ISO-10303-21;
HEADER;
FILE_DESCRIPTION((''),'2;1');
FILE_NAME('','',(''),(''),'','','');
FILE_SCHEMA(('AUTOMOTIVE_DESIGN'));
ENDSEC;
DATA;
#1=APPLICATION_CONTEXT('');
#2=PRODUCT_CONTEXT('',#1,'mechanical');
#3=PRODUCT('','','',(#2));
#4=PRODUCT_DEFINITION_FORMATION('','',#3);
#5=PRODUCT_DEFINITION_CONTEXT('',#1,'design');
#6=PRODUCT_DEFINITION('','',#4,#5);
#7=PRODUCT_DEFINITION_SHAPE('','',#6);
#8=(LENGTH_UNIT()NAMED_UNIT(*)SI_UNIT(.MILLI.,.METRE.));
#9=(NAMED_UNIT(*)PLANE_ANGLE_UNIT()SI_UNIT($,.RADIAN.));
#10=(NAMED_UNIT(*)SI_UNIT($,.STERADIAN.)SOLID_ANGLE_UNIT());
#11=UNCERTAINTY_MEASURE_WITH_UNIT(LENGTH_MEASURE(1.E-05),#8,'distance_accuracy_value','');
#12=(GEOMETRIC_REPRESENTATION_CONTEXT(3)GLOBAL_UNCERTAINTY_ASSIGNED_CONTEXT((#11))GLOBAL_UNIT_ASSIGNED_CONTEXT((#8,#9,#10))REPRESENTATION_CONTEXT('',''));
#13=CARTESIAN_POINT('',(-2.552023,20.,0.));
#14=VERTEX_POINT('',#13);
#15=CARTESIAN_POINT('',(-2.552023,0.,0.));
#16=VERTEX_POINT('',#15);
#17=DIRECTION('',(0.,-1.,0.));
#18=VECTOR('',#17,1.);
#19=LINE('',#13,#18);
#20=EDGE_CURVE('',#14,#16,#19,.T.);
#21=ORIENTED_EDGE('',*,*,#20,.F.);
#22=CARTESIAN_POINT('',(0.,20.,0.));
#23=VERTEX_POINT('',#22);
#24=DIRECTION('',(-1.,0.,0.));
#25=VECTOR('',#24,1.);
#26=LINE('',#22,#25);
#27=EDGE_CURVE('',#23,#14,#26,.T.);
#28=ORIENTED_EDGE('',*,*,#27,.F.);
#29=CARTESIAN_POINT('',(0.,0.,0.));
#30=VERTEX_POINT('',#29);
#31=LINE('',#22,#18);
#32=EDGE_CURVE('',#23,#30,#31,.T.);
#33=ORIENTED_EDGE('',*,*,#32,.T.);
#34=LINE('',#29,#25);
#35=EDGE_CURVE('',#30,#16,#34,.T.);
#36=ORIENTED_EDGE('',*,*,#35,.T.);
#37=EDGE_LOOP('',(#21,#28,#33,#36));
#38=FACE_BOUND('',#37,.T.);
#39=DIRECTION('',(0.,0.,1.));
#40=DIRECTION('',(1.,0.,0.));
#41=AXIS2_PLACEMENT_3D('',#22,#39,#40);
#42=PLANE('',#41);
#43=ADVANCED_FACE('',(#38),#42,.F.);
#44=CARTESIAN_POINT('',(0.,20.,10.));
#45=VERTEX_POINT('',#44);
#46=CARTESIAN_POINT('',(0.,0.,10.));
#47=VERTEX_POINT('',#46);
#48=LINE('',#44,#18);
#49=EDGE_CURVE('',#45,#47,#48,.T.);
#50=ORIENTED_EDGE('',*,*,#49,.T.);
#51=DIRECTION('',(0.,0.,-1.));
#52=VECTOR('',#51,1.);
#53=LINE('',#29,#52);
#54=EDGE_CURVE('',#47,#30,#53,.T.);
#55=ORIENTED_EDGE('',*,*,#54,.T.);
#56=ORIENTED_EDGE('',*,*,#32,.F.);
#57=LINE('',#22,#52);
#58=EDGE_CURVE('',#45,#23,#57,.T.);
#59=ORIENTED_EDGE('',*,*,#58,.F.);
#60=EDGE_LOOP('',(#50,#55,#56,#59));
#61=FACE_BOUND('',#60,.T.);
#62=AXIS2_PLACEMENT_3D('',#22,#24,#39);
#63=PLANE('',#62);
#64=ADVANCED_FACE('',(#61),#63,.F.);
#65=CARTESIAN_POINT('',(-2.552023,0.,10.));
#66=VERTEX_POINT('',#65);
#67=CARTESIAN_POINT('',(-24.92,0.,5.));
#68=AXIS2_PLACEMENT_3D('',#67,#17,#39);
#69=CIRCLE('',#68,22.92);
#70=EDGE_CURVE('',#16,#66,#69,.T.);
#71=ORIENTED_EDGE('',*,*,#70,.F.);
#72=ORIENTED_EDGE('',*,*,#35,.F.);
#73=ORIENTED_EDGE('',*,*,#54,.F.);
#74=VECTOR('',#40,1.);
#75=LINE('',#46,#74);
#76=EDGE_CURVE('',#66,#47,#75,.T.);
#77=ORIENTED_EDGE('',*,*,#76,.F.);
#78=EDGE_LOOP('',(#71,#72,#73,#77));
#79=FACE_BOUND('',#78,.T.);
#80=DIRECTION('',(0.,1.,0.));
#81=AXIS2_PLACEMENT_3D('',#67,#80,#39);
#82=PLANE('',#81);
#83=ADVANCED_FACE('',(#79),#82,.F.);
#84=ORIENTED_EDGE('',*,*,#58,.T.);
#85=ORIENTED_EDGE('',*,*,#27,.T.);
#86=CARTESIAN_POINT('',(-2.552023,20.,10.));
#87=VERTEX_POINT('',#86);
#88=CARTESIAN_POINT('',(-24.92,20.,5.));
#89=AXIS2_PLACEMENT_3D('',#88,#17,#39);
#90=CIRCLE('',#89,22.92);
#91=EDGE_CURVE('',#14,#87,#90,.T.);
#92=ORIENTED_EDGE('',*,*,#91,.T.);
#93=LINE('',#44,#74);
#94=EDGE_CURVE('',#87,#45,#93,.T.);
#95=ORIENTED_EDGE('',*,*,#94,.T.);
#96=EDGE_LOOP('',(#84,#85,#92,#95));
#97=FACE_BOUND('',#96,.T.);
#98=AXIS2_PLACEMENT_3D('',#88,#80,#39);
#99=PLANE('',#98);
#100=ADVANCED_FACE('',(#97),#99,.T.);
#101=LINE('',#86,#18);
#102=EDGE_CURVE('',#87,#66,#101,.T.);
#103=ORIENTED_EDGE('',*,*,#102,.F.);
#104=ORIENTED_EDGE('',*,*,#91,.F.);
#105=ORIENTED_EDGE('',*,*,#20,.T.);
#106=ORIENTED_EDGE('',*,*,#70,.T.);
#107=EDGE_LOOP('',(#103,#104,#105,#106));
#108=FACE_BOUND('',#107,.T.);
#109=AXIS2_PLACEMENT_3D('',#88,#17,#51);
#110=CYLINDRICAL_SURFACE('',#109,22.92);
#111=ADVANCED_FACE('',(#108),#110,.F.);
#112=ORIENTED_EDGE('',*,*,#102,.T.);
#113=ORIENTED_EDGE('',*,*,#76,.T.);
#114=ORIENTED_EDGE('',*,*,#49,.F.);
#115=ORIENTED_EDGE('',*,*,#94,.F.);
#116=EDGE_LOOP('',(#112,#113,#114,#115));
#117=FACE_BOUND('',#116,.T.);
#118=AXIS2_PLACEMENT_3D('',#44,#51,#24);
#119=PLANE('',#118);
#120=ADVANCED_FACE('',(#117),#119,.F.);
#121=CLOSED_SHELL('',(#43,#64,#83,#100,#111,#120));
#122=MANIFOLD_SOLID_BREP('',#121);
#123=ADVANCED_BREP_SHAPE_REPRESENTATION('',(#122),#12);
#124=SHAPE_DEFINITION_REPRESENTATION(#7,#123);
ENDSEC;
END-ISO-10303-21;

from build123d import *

# Parameters (mm, degrees)
EXTRUDE_1_DEPTH = 20


with BuildPart() as part:
    # 草图1 → 凸台-拉伸1 (new body)
    with BuildSketch(Plane(origin=(0, 0, 0), x_dir=(1, 0, 0), z_dir=(0, 1, 0))):
        with BuildLine():
            Line((0, 0), (0, -10))
            Line((0, -10), (-2.55202289, -10))
            ThreePointArc((-2.55202289, -10), (-2, -5), (-2.55202289, 0))
            Line((-2.55202289, 0), (0, 0))
        make_face()
    extrude(amount=EXTRUDE_1_DEPTH)


solid = part.part
